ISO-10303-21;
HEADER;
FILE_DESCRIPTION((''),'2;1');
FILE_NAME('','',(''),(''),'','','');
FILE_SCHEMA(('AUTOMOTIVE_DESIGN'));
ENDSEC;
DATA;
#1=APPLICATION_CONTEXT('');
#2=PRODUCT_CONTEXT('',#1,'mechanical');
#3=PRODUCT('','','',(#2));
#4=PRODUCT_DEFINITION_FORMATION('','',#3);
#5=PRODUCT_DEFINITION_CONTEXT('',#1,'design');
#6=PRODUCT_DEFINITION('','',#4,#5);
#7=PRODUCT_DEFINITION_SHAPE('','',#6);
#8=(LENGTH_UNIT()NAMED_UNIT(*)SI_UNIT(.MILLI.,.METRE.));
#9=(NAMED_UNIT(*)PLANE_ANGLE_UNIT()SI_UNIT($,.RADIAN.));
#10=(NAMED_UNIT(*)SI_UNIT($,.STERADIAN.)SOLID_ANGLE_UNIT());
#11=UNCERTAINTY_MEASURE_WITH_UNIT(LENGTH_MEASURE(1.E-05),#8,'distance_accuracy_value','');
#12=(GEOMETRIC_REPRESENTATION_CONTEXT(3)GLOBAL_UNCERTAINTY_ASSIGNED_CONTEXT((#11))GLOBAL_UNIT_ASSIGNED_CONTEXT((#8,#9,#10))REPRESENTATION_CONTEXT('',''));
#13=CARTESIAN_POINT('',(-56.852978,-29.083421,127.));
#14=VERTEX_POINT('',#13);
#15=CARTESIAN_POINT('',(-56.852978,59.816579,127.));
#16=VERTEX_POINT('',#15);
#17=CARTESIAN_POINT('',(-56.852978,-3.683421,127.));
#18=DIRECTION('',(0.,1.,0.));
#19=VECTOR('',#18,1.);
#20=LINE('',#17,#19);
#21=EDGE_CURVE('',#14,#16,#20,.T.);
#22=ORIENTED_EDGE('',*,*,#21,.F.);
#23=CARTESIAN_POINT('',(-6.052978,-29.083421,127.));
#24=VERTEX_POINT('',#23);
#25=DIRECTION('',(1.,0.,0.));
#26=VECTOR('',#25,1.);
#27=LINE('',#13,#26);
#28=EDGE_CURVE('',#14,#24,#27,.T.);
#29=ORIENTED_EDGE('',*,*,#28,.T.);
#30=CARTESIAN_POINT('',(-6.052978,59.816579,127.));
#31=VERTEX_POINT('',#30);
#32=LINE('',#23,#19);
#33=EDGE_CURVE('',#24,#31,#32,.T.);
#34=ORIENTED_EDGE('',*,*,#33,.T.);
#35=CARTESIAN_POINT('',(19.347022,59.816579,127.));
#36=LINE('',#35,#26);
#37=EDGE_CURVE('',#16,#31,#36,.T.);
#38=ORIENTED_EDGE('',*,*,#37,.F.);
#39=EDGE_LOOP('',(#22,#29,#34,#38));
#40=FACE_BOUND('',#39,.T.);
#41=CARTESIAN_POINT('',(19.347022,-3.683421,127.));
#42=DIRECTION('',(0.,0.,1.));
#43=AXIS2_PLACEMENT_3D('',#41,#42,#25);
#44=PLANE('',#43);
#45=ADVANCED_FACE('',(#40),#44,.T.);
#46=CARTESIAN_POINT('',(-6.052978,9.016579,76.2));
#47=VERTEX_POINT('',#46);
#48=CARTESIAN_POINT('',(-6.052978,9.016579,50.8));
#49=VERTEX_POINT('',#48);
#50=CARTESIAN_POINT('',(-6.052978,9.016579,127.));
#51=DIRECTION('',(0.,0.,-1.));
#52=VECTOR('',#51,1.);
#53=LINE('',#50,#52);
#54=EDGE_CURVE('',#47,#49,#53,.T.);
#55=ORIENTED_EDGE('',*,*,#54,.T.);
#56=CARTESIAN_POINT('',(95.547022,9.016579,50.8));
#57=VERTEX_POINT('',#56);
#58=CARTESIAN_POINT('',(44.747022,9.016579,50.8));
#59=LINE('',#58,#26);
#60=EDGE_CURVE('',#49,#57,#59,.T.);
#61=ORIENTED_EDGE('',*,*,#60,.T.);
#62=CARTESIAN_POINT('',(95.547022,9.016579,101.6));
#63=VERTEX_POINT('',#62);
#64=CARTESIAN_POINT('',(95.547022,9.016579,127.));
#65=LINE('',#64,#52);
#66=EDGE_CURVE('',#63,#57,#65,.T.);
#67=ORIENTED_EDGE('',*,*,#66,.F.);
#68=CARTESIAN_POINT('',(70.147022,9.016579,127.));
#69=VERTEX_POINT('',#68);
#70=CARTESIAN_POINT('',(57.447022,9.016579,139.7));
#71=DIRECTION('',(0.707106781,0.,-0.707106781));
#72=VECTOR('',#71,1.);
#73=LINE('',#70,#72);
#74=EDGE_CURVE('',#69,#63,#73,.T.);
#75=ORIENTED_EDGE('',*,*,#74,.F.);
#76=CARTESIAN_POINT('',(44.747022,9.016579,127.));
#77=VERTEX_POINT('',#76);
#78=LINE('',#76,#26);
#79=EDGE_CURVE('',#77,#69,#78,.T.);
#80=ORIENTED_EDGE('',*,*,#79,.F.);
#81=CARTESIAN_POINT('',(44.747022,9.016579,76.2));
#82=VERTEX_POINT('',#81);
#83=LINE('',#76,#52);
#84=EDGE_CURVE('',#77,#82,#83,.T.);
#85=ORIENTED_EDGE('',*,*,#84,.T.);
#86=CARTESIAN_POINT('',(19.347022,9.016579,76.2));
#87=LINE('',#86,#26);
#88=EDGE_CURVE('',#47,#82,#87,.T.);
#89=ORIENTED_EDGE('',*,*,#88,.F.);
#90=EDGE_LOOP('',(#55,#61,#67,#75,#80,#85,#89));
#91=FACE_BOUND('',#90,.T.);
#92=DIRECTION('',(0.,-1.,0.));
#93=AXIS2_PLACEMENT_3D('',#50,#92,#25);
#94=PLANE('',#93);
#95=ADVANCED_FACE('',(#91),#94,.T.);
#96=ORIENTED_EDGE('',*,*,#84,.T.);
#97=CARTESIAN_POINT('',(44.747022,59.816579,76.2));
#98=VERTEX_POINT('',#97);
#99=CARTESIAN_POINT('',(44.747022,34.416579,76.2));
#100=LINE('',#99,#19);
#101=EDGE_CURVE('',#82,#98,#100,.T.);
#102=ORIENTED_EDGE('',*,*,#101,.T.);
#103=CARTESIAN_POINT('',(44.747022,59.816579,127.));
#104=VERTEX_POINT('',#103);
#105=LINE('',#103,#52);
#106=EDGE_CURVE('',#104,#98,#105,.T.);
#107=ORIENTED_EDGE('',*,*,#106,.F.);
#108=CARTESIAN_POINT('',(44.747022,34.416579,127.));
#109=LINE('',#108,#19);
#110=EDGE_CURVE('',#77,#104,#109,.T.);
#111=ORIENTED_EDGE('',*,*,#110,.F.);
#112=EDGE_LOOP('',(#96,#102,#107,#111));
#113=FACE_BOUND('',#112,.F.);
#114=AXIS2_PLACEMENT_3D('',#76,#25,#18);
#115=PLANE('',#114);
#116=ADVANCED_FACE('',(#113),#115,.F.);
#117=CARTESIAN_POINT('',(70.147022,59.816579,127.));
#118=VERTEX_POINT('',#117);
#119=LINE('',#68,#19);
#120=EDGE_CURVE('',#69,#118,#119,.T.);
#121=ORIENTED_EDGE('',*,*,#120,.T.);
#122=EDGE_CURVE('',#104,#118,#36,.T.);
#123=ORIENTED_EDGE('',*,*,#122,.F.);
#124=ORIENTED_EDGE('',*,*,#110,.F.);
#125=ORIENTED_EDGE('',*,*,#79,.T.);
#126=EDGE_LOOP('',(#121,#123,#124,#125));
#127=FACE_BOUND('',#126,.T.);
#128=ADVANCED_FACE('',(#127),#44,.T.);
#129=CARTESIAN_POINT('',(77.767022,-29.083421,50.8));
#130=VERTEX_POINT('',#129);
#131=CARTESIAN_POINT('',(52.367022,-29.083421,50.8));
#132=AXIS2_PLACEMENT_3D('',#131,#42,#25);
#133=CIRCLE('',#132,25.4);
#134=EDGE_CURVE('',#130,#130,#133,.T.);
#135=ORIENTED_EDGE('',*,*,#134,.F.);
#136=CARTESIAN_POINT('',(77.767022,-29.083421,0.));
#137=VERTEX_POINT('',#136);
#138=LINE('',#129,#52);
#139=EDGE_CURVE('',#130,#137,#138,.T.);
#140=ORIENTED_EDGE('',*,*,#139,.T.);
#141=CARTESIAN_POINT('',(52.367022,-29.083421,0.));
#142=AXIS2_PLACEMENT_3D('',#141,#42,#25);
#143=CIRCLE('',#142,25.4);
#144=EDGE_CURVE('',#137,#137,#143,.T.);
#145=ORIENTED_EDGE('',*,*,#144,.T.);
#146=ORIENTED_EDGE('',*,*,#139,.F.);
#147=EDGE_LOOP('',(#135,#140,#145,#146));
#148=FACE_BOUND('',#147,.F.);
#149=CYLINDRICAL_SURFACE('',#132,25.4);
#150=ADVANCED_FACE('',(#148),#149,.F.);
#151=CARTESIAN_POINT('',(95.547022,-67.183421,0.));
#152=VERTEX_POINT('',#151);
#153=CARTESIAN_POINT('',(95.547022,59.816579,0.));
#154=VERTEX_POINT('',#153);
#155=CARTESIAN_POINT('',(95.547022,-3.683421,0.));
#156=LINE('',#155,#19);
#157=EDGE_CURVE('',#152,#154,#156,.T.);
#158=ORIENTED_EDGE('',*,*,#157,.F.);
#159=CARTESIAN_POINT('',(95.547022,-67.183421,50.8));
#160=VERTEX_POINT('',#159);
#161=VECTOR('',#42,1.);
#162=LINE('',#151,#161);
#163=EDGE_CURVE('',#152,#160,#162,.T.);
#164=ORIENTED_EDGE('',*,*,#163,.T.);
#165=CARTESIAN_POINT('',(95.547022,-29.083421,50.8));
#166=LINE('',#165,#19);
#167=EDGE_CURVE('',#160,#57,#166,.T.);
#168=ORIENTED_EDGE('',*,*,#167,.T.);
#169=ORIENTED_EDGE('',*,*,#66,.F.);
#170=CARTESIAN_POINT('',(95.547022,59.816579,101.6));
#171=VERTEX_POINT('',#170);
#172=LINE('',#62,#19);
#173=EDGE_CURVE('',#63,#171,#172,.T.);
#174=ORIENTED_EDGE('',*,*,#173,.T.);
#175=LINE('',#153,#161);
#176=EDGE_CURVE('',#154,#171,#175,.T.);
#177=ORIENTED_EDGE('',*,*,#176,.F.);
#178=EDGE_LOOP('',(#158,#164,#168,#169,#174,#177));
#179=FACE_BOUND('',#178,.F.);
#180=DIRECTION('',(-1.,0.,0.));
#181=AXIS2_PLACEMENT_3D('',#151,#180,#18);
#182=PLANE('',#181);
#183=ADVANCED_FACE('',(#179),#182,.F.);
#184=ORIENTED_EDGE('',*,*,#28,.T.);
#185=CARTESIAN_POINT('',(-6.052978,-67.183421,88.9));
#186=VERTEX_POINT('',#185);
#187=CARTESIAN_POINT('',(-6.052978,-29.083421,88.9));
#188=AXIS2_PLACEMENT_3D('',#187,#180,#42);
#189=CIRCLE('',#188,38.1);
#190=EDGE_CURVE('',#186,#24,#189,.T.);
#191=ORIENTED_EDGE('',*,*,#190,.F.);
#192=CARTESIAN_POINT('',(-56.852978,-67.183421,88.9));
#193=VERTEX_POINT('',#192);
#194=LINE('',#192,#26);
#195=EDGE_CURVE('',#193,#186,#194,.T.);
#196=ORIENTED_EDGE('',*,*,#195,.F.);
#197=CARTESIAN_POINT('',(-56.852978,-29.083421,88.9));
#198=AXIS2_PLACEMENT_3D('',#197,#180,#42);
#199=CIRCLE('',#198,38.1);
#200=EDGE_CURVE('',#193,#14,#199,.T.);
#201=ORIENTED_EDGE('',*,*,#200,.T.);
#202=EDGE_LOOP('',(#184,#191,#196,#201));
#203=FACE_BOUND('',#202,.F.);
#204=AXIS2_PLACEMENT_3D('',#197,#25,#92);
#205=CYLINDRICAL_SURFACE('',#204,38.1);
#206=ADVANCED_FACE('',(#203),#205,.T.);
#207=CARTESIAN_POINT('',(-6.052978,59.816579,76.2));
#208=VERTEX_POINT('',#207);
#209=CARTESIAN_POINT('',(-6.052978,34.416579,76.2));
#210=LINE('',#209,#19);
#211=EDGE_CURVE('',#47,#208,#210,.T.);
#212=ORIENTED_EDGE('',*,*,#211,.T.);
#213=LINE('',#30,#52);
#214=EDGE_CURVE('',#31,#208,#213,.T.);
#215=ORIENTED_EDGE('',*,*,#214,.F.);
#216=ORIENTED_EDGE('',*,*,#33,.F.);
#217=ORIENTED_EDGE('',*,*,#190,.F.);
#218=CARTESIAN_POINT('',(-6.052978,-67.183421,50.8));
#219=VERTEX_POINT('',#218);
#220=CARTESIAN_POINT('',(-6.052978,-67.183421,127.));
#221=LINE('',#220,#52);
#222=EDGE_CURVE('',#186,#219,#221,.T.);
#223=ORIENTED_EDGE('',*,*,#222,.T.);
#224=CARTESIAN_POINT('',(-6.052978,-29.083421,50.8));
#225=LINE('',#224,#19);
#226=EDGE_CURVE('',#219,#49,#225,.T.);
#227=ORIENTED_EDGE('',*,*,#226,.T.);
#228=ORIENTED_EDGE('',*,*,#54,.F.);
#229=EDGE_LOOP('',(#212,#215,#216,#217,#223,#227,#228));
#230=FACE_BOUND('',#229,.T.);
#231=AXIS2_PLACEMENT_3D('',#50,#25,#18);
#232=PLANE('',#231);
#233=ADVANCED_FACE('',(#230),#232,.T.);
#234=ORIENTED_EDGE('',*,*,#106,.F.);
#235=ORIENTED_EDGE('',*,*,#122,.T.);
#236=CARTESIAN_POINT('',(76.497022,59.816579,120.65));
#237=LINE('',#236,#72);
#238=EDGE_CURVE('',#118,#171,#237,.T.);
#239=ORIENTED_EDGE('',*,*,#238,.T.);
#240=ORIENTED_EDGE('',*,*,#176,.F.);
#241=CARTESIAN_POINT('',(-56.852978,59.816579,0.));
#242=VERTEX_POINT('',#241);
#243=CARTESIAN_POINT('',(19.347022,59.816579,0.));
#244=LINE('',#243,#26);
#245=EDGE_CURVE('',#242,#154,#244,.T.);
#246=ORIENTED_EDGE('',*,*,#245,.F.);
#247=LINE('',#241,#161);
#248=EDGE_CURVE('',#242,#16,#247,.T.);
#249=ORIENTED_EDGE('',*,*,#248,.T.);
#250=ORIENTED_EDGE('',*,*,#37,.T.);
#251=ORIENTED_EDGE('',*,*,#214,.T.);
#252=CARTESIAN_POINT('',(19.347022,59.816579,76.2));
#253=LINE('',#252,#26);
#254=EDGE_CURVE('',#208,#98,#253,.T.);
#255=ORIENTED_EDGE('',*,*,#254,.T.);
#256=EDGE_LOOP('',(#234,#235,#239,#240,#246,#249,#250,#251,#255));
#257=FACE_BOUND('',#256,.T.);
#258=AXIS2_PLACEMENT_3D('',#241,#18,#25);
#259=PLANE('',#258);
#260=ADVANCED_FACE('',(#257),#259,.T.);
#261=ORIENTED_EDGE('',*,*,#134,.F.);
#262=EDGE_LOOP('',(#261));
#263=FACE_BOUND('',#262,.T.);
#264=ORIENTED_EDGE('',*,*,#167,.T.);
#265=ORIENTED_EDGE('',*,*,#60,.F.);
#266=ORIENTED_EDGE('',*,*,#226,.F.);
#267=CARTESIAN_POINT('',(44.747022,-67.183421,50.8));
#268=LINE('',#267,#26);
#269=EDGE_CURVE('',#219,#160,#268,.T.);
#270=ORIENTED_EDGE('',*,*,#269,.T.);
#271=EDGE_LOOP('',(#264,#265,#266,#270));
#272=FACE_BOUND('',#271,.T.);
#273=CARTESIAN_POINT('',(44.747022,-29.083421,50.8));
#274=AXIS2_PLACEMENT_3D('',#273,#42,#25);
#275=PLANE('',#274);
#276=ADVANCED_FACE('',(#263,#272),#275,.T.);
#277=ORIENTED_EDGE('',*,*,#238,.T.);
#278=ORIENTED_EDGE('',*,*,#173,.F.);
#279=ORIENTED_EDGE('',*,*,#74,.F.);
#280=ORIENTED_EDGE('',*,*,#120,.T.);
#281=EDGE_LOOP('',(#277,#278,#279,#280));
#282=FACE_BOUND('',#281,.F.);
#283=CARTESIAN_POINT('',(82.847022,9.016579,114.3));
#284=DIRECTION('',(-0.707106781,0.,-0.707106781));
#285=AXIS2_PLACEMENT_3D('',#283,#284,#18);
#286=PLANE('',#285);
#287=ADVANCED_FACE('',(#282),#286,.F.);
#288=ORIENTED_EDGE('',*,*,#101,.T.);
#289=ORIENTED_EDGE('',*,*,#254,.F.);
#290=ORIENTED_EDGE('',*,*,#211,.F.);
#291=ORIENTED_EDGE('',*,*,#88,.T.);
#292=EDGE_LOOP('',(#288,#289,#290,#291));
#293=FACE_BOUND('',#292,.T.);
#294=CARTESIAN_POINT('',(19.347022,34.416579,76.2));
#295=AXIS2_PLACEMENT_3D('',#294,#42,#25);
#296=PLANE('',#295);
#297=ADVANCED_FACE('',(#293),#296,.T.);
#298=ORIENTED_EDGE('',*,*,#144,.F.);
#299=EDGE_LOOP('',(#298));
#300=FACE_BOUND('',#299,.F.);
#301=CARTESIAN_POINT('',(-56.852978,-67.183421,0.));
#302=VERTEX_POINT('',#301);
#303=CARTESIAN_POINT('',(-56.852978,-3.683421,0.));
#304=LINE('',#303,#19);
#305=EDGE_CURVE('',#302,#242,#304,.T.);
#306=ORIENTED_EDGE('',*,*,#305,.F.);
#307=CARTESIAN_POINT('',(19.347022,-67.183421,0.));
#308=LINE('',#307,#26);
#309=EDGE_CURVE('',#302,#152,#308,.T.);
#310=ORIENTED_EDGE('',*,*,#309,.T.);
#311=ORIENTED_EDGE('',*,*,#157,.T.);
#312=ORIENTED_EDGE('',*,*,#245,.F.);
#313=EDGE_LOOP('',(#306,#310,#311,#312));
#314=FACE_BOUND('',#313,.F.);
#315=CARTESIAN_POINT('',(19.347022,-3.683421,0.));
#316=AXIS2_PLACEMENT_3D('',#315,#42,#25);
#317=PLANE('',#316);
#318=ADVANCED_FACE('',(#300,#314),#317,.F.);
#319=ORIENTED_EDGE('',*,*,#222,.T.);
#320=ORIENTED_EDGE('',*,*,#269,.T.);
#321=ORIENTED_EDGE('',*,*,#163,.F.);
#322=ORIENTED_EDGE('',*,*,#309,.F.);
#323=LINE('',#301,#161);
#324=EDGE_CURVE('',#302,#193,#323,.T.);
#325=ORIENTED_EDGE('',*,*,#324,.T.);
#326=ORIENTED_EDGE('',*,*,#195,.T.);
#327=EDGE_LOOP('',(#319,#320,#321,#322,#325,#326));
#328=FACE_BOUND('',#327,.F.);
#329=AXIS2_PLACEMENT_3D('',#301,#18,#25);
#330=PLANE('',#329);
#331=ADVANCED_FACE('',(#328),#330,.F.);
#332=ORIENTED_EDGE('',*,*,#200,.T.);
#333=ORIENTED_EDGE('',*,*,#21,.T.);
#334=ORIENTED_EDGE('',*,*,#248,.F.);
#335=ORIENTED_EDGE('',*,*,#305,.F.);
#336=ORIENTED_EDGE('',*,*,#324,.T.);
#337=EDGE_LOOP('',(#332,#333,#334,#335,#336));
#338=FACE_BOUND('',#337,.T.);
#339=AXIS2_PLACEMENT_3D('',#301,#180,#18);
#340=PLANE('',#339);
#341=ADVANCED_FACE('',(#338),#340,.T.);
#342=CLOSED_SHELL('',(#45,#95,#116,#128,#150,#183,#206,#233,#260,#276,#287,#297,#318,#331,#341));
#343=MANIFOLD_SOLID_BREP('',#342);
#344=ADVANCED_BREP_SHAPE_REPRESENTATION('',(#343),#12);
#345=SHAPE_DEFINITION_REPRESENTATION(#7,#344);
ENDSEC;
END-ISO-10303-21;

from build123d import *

# Parameters (mm, degrees)
F0_W     = 152.4
F0_H     = 127
F1_DEPTH = 127
F2_W     = 101.6
F2_H     = 76.2
F3_DEPTH = 76.2
F4_R     = 38.1
F5_SIZE  = 25.4
F6_W     = 50.8
F6_H     = 50.8
F7_DEPTH = 50.8
F8_R     = 25.4
F9_DEPTH = 50.801


with BuildPart() as f1:
    # F0 (on Top) → F1 (new body)
    with BuildSketch(Plane.XY):
        with Locations((19.347022, -3.683421)):
            Rectangle(F0_W, F0_H)
    extrude(amount=F1_DEPTH)

    # F2 (on face) → F3 (cut)
    with BuildSketch(Plane.XY.offset(127)):
        with Locations((44.747022, -29.083421)):
            Rectangle(F2_W, F2_H)
    extrude(amount=-F3_DEPTH, mode=Mode.SUBTRACT)

    # F4
    f4_edges = [f1.edges().sort_by_distance(p)[0] for p in [
        (-31.452978, -67.183421, 127),
    ]]
    fillet(f4_edges, radius=F4_R)

    # F5
    f5_edges = [f1.edges().sort_by_distance(p)[0] for p in [
        (95.547022, 34.416579, 127),
    ]]
    chamfer(f5_edges, length=F5_SIZE)

    # F6 (on face) → F7 (cut)
    with BuildSketch(Plane.XY.offset(127)):
        with Locations((19.347022, 34.416579)):
            Rectangle(F6_W, F6_H)
    extrude(amount=-F7_DEPTH, mode=Mode.SUBTRACT)

    # F8 (on face) → F9 (cut, through all)
    with BuildSketch(Plane.XY.offset(50.8)):
        with Locations((52.367022, -29.083421)):
            Circle(F8_R)
    extrude(amount=-F9_DEPTH, mode=Mode.SUBTRACT)


solid = f1.part
